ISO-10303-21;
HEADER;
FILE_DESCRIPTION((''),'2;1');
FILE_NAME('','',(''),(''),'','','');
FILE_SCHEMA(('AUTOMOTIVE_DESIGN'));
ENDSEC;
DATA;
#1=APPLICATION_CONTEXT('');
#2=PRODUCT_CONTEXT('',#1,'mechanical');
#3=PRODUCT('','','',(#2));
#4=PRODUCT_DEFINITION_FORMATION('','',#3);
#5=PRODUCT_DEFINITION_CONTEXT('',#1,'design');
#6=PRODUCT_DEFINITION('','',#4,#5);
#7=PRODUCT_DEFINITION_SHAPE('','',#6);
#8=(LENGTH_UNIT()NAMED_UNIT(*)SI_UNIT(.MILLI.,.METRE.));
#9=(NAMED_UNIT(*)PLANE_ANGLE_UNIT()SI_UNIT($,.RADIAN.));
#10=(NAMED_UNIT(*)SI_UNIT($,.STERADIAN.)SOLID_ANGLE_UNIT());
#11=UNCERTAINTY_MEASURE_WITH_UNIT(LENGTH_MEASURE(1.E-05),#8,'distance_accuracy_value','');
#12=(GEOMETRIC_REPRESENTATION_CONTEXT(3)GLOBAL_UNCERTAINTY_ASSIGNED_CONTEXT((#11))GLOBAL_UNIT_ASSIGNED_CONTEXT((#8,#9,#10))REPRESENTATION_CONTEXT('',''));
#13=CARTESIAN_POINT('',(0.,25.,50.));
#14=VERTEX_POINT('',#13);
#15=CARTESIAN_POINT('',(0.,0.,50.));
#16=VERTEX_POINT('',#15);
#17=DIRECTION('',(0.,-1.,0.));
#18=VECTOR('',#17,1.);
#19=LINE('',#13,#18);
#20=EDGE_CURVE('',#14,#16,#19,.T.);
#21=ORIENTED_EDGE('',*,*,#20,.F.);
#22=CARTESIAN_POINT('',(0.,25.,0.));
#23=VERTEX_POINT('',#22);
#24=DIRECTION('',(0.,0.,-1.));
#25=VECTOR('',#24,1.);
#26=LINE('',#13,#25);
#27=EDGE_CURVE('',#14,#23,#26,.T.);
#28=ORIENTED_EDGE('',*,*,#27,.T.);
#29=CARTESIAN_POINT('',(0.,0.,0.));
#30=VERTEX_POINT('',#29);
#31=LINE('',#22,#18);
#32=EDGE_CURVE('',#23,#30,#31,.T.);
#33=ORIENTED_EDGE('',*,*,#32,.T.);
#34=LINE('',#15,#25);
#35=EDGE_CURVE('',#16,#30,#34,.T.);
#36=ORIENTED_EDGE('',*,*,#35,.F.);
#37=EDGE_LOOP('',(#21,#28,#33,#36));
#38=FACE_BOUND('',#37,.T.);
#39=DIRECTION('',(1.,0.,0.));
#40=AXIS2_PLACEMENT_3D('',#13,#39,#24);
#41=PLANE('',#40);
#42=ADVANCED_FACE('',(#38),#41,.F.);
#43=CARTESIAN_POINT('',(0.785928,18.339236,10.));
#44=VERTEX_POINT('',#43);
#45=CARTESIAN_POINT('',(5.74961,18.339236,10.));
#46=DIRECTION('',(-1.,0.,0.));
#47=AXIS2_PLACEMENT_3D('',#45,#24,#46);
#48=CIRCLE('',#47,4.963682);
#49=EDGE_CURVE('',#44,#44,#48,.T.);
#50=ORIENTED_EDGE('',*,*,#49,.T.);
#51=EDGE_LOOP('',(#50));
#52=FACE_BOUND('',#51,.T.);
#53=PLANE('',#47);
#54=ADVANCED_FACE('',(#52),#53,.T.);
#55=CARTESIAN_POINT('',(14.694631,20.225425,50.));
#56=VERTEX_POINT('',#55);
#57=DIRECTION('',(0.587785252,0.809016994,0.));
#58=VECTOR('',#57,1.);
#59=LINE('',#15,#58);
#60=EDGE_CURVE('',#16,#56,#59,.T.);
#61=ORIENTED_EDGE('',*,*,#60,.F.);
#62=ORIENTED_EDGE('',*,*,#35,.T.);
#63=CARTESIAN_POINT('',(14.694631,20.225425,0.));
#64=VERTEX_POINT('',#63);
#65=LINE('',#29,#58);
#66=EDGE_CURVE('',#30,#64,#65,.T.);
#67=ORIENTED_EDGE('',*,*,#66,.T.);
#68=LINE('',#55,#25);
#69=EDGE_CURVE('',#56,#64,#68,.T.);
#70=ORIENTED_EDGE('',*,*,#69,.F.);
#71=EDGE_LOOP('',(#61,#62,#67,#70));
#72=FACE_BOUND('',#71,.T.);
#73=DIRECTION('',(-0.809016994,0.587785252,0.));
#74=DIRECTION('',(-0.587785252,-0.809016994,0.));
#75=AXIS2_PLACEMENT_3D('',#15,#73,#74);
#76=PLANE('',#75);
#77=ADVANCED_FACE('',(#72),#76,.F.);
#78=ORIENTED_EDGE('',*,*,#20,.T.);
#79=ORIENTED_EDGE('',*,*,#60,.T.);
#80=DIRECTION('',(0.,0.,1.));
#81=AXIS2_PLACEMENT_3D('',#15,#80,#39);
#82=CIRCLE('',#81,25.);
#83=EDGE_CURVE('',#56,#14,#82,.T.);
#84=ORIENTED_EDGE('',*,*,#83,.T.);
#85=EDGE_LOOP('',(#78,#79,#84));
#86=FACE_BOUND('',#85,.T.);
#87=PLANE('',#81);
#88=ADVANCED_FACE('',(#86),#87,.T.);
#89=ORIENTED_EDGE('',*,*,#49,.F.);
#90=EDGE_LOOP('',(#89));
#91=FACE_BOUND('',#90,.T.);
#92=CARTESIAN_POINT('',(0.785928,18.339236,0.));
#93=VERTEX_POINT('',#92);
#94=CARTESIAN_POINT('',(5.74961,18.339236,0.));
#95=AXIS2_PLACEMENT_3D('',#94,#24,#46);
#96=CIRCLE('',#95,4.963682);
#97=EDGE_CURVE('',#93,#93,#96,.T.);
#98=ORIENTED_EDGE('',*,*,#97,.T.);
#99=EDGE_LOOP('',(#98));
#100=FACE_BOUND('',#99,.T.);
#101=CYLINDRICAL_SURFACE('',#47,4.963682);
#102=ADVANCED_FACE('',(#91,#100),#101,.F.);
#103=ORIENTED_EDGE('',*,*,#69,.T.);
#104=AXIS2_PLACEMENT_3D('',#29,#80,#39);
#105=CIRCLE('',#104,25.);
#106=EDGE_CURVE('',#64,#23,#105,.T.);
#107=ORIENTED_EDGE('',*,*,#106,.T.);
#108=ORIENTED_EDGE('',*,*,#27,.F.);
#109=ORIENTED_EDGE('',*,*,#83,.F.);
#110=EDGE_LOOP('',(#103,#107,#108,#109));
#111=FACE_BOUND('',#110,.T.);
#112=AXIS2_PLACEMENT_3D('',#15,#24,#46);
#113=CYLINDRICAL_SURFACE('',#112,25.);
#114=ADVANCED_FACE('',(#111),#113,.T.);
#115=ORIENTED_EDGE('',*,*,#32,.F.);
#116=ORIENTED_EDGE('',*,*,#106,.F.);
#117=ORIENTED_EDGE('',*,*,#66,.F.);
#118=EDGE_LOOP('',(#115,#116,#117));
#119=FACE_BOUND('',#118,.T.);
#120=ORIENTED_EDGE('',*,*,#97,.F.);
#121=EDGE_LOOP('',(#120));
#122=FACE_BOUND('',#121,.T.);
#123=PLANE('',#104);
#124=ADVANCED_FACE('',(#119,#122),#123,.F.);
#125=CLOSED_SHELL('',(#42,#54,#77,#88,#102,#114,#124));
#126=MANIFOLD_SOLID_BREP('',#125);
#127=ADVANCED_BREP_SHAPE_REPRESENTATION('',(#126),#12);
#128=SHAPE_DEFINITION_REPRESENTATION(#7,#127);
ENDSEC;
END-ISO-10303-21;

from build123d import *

# Parameters (mm, degrees)
SALIENTE_EXTRUIR1_DEPTH = 50
CROQUIS2_R              = 4.963681779
CORTAR_EXTRUIR1_DEPTH   = 10


with BuildPart() as part:
    # Croquis1 → Saliente-Extruir1 (new body)
    with BuildSketch(Plane.XY):
        with BuildLine():
            Line((0, 25), (0, 0))
            Line((0, 0), (14.694631307, 20.225424859))
            ThreePointArc((14.694631307, 20.225424859), (7.725424859, 23.776412907), (0, 25))
        make_face()
    extrude(amount=SALIENTE_EXTRUIR1_DEPTH)

    # Croquis2 → Cortar-Extruir1 (cut)
    with BuildSketch(Plane(origin=(0, 0, 0), x_dir=(-1, 0, 0), z_dir=(0, 0, -1))):
        with Locations((-5.749609503, 18.339235574)):
            Circle(CROQUIS2_R)
    extrude(amount=-CORTAR_EXTRUIR1_DEPTH, mode=Mode.SUBTRACT)


solid = part.part
